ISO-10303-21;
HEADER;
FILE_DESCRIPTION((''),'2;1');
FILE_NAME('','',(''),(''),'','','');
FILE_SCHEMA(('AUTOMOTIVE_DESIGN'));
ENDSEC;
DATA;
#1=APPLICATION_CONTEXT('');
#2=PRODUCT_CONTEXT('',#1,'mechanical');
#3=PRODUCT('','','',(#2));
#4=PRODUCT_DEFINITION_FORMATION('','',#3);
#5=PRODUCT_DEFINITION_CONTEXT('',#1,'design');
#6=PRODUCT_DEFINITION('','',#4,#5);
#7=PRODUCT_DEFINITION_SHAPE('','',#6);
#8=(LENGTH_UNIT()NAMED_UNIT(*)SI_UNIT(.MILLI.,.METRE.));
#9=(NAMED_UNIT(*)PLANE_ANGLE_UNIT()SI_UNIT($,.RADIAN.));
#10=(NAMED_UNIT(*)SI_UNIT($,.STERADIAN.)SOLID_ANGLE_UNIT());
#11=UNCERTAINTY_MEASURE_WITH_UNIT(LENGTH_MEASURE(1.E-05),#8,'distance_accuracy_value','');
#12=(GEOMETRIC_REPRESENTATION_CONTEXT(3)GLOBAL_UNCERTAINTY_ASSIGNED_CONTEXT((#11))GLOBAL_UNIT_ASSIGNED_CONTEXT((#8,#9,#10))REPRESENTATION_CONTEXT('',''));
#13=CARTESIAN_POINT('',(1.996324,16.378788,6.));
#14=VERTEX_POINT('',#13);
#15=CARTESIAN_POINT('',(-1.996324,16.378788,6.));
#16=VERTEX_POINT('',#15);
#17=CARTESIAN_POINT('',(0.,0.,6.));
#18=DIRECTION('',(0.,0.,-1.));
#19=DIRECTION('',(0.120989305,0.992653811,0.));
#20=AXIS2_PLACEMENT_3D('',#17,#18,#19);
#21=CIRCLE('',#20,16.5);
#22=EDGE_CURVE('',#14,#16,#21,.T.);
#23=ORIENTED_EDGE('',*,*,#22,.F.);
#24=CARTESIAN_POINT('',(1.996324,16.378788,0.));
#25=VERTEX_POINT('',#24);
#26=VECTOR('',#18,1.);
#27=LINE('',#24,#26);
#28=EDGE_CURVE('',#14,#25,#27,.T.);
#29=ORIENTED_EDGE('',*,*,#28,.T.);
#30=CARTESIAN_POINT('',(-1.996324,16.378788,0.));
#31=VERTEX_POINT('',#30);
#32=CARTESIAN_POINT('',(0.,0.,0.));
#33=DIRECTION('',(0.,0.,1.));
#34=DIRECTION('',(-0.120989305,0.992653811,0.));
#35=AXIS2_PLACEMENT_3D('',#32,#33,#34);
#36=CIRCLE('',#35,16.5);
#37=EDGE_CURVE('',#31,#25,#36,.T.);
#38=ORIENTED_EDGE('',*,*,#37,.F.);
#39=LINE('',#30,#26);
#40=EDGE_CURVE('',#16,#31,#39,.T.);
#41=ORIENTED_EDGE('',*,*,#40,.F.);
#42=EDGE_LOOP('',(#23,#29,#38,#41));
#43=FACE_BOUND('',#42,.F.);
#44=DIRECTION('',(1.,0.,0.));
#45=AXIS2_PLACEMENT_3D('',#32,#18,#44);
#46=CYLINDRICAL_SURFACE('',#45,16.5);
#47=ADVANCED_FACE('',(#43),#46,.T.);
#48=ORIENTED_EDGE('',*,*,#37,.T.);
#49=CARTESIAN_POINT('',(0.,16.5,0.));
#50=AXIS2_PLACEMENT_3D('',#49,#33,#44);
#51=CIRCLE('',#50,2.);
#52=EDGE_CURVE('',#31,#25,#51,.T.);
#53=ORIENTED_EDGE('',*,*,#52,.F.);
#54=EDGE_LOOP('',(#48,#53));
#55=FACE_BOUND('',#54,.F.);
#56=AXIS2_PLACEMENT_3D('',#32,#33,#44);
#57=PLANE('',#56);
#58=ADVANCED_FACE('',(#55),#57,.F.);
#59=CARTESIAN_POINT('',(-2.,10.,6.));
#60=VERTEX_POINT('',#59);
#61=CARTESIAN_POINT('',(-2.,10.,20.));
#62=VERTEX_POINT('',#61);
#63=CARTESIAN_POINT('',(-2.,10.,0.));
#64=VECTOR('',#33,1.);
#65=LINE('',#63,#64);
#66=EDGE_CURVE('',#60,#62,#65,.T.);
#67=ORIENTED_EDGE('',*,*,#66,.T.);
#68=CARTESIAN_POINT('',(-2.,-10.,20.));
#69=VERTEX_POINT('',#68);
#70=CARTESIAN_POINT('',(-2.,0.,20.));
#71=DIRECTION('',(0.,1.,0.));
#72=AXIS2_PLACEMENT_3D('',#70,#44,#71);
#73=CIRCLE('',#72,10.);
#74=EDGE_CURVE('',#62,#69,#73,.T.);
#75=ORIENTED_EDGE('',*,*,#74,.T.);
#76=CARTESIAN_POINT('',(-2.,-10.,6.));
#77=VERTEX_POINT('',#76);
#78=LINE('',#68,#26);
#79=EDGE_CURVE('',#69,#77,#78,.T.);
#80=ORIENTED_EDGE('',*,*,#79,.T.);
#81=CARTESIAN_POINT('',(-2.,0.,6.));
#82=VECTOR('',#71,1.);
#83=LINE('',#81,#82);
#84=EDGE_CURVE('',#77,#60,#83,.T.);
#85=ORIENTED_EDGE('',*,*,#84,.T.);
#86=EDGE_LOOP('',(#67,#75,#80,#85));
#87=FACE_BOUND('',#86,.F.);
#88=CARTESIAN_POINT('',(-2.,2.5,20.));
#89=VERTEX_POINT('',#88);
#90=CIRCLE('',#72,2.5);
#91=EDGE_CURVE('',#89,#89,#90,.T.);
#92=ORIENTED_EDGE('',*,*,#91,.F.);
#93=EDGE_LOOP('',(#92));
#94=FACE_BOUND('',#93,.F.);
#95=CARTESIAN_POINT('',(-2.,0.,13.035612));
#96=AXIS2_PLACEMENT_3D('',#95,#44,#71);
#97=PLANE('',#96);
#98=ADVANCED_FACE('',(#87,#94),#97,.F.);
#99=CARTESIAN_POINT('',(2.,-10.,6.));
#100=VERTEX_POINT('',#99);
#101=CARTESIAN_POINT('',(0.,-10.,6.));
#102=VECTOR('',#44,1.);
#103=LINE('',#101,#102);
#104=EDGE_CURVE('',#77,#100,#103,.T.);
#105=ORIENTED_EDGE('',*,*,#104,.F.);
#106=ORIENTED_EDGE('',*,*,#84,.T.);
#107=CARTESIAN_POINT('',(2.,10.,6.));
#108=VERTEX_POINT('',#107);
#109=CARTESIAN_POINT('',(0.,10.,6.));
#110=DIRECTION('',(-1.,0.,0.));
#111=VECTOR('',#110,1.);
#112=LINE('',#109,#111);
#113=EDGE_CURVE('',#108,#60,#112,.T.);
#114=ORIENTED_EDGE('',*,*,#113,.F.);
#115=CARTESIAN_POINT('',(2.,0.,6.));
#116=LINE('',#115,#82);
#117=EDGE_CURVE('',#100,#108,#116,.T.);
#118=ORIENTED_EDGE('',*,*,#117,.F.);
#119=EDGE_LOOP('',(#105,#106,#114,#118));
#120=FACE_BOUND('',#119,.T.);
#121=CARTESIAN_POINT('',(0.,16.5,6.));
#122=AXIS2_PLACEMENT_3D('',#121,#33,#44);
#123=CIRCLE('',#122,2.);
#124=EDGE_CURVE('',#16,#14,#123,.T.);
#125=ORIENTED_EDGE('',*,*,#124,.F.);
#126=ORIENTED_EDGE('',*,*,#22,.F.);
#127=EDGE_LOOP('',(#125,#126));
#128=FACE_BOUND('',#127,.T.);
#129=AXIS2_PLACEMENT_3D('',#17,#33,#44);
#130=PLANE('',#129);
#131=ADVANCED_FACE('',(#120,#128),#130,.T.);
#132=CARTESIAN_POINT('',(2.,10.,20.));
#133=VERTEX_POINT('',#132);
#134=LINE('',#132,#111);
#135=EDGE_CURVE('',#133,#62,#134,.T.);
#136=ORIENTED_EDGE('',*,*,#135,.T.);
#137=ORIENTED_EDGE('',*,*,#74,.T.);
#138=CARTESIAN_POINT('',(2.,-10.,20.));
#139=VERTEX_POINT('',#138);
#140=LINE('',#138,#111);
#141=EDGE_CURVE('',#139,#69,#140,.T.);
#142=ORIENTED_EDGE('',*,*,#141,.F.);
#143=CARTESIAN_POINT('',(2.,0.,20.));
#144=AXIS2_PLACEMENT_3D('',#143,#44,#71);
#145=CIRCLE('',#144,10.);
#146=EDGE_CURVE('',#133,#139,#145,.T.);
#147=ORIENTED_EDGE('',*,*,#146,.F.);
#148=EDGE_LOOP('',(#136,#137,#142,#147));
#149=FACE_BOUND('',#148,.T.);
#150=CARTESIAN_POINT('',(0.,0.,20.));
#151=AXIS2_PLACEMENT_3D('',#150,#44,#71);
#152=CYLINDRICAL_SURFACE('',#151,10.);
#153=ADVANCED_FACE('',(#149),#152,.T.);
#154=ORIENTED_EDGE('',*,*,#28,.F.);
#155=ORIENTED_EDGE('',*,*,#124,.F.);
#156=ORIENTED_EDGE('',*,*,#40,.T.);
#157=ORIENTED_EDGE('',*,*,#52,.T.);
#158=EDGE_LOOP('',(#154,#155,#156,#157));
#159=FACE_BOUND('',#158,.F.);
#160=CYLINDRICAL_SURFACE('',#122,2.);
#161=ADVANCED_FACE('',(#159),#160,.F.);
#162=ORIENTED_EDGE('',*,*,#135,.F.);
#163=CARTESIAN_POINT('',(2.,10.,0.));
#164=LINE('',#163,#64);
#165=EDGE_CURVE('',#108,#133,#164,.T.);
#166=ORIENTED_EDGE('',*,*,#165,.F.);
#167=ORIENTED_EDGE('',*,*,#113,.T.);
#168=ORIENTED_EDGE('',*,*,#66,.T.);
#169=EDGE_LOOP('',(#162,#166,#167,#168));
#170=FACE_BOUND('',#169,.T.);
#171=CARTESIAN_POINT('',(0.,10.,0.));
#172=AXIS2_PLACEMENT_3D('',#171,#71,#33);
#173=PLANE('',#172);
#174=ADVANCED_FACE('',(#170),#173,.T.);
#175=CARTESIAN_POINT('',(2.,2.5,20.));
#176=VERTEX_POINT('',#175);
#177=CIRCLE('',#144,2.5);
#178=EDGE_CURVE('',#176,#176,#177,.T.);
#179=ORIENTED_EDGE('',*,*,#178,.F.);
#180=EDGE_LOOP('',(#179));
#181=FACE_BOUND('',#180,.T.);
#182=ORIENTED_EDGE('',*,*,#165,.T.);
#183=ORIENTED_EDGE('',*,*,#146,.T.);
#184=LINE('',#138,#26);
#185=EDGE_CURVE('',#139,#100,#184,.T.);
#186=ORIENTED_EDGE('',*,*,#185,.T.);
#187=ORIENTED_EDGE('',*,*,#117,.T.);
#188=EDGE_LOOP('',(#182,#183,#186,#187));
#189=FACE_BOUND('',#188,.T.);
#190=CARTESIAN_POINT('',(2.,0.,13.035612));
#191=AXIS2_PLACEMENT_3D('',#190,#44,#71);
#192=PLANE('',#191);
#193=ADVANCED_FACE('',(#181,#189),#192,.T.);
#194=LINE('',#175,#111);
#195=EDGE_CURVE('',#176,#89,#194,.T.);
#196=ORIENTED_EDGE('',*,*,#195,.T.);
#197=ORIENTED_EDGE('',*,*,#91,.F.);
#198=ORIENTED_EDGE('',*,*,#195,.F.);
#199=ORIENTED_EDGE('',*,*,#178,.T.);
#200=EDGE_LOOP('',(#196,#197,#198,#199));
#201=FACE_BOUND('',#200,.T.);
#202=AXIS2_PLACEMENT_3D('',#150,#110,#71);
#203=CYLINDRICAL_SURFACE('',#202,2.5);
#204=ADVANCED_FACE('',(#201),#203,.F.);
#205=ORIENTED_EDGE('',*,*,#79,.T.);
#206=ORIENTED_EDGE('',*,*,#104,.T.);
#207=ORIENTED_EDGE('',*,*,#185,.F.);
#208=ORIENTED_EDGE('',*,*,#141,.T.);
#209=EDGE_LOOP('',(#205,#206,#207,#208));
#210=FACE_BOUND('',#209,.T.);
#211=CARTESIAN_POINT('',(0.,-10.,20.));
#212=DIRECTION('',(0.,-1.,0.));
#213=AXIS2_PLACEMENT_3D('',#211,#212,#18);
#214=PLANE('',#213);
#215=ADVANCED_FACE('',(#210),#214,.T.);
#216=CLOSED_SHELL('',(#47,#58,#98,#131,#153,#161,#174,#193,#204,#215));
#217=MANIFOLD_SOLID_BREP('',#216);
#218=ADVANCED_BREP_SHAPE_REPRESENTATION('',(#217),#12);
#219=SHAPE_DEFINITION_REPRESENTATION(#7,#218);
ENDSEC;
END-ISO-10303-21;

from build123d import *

# Parameters (mm, degrees)
SKETCH_R     = 16.5
PAD_DEPTH    = 6
SKETCH001_R  = 2
POCKET_DEPTH = 6.001
SKETCH002_R  = 2.5
PAD001_DEPTH = 2


with BuildPart() as part:
    # Sketch → Pad (new body)
    with BuildSketch(Plane.XY):
        Circle(SKETCH_R)
    extrude(amount=PAD_DEPTH)

    # Sketch001 (on Face3 of Pad) → Pocket (cut, through all)
    with BuildSketch(Plane.XY.offset(6)):
        with Locations((0, 16.5)):
            Circle(SKETCH001_R)
    extrude(amount=-POCKET_DEPTH, mode=Mode.SUBTRACT)

    # Sketch002 → Pad001 (join, symmetric)
    with BuildSketch(Plane.YZ):
        with BuildLine():
            Line((-10, 20), (-10, 0))
            Line((-10, 0), (10, 0))
            Line((10, 0), (10, 20))
            ThreePointArc((10, 20), (0, 30), (-10, 20))
        make_face()
        with Locations((0, 20)):
            Circle(SKETCH002_R, mode=Mode.SUBTRACT)
    extrude(amount=PAD001_DEPTH, both=True)


solid = part.part
